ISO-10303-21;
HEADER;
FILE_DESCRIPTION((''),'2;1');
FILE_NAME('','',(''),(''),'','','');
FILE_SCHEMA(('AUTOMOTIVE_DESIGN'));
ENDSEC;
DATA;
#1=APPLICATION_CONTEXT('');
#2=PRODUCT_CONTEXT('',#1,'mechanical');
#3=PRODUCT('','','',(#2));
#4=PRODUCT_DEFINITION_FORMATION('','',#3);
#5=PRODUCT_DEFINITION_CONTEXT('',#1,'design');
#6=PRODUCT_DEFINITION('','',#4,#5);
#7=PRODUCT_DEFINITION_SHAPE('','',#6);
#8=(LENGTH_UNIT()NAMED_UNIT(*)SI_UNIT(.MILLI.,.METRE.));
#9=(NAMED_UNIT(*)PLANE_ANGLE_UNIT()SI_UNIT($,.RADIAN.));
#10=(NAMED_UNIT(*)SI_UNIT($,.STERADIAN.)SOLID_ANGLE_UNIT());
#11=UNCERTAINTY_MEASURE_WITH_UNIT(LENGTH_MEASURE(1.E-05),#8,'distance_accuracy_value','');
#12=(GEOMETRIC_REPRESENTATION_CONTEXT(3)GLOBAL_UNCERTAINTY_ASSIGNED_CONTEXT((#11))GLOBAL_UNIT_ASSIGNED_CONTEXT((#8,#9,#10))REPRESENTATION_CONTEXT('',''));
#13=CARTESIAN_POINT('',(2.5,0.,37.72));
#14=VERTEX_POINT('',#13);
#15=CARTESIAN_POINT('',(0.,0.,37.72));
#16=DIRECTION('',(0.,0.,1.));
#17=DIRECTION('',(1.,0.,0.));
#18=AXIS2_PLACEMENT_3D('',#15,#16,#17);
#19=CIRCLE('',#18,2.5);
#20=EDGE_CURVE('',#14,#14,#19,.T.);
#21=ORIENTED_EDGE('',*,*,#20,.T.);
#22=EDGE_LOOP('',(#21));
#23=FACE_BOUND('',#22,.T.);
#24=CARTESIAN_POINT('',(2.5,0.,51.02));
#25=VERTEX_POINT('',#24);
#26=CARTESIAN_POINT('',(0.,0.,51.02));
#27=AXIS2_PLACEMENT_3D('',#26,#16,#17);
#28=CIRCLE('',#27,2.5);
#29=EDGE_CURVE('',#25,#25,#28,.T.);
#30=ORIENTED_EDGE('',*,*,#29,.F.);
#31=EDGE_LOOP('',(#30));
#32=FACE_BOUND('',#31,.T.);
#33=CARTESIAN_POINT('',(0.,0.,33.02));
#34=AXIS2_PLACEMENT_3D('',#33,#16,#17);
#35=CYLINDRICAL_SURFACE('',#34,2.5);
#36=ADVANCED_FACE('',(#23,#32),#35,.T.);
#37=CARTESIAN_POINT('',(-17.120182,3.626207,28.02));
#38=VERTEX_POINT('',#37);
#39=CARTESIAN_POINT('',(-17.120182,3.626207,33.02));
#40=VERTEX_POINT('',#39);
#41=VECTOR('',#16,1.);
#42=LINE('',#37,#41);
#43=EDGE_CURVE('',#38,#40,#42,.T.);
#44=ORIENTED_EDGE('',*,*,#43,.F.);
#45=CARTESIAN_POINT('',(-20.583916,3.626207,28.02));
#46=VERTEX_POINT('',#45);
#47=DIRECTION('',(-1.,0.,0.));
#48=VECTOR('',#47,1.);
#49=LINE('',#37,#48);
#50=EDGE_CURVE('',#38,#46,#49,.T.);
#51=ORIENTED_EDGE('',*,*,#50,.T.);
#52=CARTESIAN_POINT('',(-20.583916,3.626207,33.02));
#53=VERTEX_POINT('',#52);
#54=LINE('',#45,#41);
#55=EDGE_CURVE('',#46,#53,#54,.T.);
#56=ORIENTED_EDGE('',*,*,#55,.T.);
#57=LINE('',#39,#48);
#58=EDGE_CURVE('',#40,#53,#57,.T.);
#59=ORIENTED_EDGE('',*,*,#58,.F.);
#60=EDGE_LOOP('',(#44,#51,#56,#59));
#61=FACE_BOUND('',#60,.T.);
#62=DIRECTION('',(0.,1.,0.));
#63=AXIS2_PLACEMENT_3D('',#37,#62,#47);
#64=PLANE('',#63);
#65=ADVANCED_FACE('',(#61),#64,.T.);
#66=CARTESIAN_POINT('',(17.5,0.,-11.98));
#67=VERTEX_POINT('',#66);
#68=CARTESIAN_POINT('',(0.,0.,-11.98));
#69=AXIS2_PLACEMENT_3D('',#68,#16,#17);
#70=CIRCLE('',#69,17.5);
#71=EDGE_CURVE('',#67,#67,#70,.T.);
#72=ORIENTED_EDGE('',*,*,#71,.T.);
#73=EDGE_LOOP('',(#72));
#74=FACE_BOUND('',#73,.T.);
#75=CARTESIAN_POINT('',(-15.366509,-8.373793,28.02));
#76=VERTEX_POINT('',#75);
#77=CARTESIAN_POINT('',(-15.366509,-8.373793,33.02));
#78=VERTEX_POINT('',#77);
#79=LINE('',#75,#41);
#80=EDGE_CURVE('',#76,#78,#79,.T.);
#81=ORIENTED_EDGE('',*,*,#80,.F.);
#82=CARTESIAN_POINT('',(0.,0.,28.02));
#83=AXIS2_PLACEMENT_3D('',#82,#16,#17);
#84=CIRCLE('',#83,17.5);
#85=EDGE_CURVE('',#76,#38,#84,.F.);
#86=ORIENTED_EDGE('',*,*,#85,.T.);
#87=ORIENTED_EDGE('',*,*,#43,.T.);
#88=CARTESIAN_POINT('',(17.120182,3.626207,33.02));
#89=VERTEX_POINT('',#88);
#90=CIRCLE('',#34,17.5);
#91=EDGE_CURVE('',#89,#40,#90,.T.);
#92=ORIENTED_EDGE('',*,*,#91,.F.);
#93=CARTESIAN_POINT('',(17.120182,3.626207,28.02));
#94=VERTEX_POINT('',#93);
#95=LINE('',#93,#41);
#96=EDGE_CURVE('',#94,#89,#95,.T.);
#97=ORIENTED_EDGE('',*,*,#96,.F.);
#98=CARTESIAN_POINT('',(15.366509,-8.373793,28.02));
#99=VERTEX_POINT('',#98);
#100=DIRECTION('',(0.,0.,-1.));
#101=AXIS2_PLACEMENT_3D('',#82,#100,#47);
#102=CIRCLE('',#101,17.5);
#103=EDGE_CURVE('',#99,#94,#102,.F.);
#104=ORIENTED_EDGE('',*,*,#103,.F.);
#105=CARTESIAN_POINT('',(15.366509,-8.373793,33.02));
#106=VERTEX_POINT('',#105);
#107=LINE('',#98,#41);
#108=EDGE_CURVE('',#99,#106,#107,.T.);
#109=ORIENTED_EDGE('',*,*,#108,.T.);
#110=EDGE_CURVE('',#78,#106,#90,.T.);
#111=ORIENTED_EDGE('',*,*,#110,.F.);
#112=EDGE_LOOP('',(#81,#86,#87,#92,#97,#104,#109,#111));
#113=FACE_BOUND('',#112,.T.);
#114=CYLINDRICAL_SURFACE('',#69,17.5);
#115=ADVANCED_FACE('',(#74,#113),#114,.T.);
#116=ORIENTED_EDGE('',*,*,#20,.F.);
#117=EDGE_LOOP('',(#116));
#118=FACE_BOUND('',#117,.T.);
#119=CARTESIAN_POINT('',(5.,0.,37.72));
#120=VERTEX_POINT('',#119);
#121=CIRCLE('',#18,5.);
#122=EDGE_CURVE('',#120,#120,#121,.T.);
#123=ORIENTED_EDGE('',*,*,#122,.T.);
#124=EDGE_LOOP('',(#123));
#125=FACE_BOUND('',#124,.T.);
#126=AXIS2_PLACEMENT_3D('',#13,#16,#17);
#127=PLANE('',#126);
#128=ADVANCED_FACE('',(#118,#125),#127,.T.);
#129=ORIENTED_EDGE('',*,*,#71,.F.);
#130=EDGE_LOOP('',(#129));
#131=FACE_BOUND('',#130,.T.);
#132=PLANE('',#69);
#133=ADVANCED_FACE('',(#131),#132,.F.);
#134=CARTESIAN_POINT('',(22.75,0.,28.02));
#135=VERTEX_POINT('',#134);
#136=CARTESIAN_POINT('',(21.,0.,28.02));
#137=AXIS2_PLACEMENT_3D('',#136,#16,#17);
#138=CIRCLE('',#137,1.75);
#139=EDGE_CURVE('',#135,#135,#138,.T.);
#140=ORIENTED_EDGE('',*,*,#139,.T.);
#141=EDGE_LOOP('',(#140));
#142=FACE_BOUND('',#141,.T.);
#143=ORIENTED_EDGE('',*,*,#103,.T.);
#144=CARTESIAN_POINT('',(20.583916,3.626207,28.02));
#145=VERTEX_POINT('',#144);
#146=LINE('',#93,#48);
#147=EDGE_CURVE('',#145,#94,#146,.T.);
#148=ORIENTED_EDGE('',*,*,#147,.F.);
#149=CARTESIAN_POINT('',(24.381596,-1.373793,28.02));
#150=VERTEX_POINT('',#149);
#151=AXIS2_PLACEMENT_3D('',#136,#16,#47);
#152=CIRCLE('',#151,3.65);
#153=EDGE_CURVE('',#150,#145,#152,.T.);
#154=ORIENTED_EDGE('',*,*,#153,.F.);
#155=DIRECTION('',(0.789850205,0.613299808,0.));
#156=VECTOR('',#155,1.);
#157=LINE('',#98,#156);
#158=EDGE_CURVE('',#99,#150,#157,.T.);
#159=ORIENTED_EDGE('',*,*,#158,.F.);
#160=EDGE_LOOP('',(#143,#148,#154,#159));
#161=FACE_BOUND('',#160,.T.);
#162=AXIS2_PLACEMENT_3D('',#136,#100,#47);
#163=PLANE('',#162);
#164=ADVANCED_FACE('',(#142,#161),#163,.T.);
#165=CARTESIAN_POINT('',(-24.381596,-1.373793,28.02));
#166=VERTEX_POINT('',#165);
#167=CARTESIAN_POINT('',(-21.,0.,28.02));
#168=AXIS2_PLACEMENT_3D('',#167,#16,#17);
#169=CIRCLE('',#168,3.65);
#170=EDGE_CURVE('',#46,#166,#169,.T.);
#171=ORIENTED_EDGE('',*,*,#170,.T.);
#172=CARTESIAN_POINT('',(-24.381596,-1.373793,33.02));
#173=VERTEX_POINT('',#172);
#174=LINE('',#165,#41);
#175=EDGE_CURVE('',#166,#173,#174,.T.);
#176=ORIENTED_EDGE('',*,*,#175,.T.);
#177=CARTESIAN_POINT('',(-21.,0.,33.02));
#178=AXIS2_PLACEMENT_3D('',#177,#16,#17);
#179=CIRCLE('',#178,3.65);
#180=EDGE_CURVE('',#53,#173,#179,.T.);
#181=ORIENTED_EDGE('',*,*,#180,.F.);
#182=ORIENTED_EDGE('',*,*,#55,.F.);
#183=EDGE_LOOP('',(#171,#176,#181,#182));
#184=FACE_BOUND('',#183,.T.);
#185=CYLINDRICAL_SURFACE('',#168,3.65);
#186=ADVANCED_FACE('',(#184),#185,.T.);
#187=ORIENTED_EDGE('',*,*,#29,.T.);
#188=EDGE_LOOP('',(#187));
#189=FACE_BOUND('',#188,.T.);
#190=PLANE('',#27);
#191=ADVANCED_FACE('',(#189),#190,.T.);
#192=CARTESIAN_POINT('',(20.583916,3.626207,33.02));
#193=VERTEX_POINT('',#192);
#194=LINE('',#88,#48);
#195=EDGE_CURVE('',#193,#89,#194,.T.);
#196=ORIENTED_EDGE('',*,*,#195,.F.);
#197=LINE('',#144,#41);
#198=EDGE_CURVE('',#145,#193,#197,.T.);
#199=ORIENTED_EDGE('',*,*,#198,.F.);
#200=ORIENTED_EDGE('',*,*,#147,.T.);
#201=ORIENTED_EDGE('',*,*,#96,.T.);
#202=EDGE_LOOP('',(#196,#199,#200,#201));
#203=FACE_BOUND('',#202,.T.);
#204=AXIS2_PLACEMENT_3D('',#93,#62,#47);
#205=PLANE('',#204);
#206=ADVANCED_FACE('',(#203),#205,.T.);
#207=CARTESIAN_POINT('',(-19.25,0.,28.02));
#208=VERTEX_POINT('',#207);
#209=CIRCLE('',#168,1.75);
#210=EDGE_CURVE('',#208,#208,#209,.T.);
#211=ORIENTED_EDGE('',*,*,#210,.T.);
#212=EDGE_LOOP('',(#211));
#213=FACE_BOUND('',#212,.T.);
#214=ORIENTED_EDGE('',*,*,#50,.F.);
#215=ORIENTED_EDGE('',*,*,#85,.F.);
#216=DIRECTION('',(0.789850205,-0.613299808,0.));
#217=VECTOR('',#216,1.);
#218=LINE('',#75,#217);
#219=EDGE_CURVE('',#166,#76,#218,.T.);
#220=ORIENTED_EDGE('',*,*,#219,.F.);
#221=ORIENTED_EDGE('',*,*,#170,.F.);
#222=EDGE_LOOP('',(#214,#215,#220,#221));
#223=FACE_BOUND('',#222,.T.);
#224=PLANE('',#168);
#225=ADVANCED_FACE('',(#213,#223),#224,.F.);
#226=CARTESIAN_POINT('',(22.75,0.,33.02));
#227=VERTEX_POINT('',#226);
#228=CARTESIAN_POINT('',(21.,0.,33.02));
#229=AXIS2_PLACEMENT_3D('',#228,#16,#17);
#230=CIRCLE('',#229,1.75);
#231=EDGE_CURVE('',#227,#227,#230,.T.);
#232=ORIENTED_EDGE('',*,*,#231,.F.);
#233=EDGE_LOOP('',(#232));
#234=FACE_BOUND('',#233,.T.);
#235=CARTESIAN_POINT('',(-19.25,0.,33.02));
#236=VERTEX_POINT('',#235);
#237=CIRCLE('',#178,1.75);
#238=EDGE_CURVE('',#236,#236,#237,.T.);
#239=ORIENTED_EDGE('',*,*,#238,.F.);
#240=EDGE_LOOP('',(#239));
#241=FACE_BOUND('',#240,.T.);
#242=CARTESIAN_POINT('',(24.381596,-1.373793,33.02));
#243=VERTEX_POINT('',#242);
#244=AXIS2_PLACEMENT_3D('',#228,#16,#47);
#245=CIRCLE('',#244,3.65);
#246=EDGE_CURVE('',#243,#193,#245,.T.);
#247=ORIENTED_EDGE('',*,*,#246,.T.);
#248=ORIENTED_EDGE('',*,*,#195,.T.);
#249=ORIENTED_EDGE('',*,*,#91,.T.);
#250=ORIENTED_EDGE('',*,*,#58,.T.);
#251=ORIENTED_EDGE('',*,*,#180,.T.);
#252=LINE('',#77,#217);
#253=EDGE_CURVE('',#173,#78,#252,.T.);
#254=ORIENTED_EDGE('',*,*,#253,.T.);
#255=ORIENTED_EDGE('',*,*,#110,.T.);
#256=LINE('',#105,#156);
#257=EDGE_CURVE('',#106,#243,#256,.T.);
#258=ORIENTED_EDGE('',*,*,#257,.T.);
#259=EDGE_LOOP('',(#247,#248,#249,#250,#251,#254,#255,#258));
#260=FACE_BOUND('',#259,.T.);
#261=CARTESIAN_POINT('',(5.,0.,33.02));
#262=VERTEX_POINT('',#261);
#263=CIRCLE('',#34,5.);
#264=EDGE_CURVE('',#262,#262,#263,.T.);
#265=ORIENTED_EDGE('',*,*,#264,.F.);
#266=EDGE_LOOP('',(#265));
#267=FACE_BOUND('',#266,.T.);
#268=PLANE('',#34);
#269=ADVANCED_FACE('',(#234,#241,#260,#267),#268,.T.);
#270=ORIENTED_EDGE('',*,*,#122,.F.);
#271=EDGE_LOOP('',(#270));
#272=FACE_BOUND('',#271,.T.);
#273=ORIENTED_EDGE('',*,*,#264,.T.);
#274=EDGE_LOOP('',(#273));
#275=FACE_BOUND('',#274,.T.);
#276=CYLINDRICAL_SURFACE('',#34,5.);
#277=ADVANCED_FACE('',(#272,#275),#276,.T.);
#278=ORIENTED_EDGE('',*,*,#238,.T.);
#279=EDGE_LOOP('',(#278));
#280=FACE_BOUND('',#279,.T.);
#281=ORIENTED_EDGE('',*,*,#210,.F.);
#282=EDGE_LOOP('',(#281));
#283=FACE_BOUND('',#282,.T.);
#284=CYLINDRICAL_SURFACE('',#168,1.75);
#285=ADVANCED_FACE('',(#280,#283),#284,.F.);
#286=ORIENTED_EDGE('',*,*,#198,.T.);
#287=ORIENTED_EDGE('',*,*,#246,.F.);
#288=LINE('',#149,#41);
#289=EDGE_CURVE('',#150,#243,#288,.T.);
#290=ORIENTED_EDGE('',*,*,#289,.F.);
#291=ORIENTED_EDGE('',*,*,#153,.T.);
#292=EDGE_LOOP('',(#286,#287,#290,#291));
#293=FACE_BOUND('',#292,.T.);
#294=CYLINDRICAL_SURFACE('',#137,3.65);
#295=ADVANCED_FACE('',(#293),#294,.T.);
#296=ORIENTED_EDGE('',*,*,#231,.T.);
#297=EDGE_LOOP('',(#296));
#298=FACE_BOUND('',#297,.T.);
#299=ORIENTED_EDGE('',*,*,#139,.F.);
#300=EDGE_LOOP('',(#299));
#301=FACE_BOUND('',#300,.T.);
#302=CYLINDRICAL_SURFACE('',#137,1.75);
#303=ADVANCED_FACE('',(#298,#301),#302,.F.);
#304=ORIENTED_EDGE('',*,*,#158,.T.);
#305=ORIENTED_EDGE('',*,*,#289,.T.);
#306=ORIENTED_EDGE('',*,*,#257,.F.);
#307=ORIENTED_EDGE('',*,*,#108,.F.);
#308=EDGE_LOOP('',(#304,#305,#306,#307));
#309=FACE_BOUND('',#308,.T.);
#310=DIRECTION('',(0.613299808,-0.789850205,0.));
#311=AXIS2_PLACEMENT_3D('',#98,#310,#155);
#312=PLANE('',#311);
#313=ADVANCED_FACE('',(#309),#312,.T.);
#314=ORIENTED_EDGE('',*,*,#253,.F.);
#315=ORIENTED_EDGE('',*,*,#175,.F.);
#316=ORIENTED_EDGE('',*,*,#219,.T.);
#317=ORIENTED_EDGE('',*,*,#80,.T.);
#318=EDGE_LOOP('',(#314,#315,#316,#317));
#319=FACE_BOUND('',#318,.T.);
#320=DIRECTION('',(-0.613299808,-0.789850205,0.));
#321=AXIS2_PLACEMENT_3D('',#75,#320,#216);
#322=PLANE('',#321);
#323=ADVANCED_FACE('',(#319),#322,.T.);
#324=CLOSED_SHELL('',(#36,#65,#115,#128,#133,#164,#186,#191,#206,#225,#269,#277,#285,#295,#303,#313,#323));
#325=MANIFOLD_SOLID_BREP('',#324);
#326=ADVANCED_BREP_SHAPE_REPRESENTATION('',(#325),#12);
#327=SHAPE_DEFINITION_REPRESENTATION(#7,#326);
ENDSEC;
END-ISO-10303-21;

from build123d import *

# Parameters (mm, degrees)
SKETCH1_R           = 17.5
BOSS_EXTRUDE1_DEPTH = 45
SKETCH7_R           = 1.75
BOSS_EXTRUDE2_DEPTH = 5


with BuildPart() as part:
    # Sketch1 → Boss-Extrude1 (new body)
    with BuildSketch(Plane.XY.offset(33.02)):
        Circle(SKETCH1_R)
    extrude(amount=-BOSS_EXTRUDE1_DEPTH)

    # Sketch6 → Revolve5 (revolve)
    with BuildSketch(Plane(origin=(0, 0, 0), x_dir=(1, 0, 0), z_dir=(0, 1, 0))):
        Polygon((5, -33.02), (0, -33.02), (0, -51.02), (2.5, -51.02), (2.5, -37.72), (5, -37.72), align=None)
    revolve(axis=Axis((0, 0, 33.02), (0, 0, 1)))

    # Sketch7 → Boss-Extrude2 (add)
    with BuildSketch(Plane.XY.offset(33.02)):
        with BuildLine():
            Line((17.12018182, 3.626206621), (20.583916427, 3.626206621))
            ThreePointArc((20.583916427, 3.626206621), (23.906641712, 2.207698792), (24.381596036, -1.373793379))
            Line((24.381596036, -1.373793379), (15.366508532, -8.373793379))
            Line((15.366508532, -8.373793379), (17.12018182, 3.626206621))
        make_face()
        with Locations((21, 0)):
            Circle(SKETCH7_R, mode=Mode.SUBTRACT)
        with BuildLine():
            Line((-17.12018182, 3.626206621), (-20.583916427, 3.626206621))
            ThreePointArc((-20.583916427, 3.626206621), (-23.906641712, 2.207698792), (-24.381596036, -1.373793379))
            Line((-24.381596036, -1.373793379), (-15.366508532, -8.373793379))
            Line((-15.366508532, -8.373793379), (-17.12018182, 3.626206621))
        make_face()
        with Locations((-21, 0)):
            Circle(SKETCH7_R, mode=Mode.SUBTRACT)
    extrude(amount=-BOSS_EXTRUDE2_DEPTH)


solid = part.part
